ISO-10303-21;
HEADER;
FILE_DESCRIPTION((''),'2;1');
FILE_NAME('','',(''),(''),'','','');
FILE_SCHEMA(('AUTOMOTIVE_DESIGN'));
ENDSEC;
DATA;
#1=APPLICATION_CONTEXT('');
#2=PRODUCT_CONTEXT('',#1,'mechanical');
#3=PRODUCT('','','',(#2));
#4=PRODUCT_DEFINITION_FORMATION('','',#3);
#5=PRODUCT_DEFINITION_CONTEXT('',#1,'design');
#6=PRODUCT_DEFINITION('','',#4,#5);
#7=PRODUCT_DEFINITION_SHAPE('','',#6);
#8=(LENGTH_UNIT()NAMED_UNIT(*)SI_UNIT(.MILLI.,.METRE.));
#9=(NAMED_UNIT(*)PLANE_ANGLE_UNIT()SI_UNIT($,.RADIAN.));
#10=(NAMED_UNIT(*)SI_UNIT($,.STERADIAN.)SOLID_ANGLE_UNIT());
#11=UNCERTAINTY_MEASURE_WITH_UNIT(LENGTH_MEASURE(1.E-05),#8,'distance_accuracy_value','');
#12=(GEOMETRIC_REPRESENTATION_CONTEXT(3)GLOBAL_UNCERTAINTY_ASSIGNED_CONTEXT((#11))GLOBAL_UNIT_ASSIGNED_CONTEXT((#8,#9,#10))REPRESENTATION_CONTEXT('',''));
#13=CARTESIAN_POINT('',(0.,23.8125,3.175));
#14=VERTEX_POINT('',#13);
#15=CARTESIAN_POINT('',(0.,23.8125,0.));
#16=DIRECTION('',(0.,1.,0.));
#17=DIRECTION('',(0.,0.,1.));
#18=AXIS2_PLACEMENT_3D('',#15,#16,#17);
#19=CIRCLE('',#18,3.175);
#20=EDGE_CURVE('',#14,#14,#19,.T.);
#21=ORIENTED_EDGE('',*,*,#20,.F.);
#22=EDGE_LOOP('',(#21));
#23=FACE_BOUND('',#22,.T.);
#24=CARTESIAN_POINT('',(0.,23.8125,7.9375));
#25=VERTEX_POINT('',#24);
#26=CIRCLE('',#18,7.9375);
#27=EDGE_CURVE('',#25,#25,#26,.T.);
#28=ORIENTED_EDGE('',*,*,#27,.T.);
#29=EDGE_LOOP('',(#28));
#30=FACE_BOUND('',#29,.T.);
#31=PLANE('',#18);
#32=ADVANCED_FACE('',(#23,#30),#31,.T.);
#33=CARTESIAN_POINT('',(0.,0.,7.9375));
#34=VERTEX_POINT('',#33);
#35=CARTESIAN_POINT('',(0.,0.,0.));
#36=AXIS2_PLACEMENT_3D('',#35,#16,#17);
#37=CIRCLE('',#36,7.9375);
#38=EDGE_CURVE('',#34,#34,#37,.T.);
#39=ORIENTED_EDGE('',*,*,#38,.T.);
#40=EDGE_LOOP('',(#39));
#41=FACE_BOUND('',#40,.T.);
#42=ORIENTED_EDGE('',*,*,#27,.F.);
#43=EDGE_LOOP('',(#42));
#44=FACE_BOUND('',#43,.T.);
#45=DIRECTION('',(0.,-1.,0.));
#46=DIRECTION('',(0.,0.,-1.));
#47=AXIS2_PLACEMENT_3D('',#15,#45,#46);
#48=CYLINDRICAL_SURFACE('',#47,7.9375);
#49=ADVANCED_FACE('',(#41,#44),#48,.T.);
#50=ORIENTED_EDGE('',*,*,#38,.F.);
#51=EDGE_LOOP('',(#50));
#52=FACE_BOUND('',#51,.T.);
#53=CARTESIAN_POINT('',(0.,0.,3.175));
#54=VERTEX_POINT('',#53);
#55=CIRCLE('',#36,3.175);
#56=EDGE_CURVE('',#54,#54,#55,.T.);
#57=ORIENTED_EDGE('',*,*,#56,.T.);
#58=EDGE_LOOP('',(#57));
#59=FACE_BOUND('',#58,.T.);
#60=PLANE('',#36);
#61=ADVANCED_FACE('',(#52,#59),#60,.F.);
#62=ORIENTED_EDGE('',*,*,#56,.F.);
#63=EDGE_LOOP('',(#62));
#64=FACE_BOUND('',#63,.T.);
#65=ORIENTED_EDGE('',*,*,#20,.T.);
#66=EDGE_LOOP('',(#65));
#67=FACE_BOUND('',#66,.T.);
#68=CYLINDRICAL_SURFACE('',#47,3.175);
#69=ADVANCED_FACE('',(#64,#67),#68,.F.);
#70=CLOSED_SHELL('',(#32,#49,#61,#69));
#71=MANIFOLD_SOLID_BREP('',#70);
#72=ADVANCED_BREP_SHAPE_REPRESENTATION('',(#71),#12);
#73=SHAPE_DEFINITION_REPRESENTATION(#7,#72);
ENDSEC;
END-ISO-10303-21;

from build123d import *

# Parameters (mm, degrees)
SKETCH2_R           = 7.9375
SKETCH2_R_2         = 3.175
BOSS_EXTRUDE1_DEPTH = 23.8125


with BuildPart() as part:
    # Sketch2 → Boss-Extrude1 (new body)
    with BuildSketch(Plane(origin=(0, 0, 0), x_dir=(1, 0, 0), z_dir=(0, 1, 0))):
        with Locations(Location((0, 0, 0), (0, 0, 270))):
            Circle(SKETCH2_R)
        with Locations(Location((0, 0, 0), (0, 0, 270))):
            Circle(SKETCH2_R_2, mode=Mode.SUBTRACT)
    extrude(amount=BOSS_EXTRUDE1_DEPTH)


solid = part.part
